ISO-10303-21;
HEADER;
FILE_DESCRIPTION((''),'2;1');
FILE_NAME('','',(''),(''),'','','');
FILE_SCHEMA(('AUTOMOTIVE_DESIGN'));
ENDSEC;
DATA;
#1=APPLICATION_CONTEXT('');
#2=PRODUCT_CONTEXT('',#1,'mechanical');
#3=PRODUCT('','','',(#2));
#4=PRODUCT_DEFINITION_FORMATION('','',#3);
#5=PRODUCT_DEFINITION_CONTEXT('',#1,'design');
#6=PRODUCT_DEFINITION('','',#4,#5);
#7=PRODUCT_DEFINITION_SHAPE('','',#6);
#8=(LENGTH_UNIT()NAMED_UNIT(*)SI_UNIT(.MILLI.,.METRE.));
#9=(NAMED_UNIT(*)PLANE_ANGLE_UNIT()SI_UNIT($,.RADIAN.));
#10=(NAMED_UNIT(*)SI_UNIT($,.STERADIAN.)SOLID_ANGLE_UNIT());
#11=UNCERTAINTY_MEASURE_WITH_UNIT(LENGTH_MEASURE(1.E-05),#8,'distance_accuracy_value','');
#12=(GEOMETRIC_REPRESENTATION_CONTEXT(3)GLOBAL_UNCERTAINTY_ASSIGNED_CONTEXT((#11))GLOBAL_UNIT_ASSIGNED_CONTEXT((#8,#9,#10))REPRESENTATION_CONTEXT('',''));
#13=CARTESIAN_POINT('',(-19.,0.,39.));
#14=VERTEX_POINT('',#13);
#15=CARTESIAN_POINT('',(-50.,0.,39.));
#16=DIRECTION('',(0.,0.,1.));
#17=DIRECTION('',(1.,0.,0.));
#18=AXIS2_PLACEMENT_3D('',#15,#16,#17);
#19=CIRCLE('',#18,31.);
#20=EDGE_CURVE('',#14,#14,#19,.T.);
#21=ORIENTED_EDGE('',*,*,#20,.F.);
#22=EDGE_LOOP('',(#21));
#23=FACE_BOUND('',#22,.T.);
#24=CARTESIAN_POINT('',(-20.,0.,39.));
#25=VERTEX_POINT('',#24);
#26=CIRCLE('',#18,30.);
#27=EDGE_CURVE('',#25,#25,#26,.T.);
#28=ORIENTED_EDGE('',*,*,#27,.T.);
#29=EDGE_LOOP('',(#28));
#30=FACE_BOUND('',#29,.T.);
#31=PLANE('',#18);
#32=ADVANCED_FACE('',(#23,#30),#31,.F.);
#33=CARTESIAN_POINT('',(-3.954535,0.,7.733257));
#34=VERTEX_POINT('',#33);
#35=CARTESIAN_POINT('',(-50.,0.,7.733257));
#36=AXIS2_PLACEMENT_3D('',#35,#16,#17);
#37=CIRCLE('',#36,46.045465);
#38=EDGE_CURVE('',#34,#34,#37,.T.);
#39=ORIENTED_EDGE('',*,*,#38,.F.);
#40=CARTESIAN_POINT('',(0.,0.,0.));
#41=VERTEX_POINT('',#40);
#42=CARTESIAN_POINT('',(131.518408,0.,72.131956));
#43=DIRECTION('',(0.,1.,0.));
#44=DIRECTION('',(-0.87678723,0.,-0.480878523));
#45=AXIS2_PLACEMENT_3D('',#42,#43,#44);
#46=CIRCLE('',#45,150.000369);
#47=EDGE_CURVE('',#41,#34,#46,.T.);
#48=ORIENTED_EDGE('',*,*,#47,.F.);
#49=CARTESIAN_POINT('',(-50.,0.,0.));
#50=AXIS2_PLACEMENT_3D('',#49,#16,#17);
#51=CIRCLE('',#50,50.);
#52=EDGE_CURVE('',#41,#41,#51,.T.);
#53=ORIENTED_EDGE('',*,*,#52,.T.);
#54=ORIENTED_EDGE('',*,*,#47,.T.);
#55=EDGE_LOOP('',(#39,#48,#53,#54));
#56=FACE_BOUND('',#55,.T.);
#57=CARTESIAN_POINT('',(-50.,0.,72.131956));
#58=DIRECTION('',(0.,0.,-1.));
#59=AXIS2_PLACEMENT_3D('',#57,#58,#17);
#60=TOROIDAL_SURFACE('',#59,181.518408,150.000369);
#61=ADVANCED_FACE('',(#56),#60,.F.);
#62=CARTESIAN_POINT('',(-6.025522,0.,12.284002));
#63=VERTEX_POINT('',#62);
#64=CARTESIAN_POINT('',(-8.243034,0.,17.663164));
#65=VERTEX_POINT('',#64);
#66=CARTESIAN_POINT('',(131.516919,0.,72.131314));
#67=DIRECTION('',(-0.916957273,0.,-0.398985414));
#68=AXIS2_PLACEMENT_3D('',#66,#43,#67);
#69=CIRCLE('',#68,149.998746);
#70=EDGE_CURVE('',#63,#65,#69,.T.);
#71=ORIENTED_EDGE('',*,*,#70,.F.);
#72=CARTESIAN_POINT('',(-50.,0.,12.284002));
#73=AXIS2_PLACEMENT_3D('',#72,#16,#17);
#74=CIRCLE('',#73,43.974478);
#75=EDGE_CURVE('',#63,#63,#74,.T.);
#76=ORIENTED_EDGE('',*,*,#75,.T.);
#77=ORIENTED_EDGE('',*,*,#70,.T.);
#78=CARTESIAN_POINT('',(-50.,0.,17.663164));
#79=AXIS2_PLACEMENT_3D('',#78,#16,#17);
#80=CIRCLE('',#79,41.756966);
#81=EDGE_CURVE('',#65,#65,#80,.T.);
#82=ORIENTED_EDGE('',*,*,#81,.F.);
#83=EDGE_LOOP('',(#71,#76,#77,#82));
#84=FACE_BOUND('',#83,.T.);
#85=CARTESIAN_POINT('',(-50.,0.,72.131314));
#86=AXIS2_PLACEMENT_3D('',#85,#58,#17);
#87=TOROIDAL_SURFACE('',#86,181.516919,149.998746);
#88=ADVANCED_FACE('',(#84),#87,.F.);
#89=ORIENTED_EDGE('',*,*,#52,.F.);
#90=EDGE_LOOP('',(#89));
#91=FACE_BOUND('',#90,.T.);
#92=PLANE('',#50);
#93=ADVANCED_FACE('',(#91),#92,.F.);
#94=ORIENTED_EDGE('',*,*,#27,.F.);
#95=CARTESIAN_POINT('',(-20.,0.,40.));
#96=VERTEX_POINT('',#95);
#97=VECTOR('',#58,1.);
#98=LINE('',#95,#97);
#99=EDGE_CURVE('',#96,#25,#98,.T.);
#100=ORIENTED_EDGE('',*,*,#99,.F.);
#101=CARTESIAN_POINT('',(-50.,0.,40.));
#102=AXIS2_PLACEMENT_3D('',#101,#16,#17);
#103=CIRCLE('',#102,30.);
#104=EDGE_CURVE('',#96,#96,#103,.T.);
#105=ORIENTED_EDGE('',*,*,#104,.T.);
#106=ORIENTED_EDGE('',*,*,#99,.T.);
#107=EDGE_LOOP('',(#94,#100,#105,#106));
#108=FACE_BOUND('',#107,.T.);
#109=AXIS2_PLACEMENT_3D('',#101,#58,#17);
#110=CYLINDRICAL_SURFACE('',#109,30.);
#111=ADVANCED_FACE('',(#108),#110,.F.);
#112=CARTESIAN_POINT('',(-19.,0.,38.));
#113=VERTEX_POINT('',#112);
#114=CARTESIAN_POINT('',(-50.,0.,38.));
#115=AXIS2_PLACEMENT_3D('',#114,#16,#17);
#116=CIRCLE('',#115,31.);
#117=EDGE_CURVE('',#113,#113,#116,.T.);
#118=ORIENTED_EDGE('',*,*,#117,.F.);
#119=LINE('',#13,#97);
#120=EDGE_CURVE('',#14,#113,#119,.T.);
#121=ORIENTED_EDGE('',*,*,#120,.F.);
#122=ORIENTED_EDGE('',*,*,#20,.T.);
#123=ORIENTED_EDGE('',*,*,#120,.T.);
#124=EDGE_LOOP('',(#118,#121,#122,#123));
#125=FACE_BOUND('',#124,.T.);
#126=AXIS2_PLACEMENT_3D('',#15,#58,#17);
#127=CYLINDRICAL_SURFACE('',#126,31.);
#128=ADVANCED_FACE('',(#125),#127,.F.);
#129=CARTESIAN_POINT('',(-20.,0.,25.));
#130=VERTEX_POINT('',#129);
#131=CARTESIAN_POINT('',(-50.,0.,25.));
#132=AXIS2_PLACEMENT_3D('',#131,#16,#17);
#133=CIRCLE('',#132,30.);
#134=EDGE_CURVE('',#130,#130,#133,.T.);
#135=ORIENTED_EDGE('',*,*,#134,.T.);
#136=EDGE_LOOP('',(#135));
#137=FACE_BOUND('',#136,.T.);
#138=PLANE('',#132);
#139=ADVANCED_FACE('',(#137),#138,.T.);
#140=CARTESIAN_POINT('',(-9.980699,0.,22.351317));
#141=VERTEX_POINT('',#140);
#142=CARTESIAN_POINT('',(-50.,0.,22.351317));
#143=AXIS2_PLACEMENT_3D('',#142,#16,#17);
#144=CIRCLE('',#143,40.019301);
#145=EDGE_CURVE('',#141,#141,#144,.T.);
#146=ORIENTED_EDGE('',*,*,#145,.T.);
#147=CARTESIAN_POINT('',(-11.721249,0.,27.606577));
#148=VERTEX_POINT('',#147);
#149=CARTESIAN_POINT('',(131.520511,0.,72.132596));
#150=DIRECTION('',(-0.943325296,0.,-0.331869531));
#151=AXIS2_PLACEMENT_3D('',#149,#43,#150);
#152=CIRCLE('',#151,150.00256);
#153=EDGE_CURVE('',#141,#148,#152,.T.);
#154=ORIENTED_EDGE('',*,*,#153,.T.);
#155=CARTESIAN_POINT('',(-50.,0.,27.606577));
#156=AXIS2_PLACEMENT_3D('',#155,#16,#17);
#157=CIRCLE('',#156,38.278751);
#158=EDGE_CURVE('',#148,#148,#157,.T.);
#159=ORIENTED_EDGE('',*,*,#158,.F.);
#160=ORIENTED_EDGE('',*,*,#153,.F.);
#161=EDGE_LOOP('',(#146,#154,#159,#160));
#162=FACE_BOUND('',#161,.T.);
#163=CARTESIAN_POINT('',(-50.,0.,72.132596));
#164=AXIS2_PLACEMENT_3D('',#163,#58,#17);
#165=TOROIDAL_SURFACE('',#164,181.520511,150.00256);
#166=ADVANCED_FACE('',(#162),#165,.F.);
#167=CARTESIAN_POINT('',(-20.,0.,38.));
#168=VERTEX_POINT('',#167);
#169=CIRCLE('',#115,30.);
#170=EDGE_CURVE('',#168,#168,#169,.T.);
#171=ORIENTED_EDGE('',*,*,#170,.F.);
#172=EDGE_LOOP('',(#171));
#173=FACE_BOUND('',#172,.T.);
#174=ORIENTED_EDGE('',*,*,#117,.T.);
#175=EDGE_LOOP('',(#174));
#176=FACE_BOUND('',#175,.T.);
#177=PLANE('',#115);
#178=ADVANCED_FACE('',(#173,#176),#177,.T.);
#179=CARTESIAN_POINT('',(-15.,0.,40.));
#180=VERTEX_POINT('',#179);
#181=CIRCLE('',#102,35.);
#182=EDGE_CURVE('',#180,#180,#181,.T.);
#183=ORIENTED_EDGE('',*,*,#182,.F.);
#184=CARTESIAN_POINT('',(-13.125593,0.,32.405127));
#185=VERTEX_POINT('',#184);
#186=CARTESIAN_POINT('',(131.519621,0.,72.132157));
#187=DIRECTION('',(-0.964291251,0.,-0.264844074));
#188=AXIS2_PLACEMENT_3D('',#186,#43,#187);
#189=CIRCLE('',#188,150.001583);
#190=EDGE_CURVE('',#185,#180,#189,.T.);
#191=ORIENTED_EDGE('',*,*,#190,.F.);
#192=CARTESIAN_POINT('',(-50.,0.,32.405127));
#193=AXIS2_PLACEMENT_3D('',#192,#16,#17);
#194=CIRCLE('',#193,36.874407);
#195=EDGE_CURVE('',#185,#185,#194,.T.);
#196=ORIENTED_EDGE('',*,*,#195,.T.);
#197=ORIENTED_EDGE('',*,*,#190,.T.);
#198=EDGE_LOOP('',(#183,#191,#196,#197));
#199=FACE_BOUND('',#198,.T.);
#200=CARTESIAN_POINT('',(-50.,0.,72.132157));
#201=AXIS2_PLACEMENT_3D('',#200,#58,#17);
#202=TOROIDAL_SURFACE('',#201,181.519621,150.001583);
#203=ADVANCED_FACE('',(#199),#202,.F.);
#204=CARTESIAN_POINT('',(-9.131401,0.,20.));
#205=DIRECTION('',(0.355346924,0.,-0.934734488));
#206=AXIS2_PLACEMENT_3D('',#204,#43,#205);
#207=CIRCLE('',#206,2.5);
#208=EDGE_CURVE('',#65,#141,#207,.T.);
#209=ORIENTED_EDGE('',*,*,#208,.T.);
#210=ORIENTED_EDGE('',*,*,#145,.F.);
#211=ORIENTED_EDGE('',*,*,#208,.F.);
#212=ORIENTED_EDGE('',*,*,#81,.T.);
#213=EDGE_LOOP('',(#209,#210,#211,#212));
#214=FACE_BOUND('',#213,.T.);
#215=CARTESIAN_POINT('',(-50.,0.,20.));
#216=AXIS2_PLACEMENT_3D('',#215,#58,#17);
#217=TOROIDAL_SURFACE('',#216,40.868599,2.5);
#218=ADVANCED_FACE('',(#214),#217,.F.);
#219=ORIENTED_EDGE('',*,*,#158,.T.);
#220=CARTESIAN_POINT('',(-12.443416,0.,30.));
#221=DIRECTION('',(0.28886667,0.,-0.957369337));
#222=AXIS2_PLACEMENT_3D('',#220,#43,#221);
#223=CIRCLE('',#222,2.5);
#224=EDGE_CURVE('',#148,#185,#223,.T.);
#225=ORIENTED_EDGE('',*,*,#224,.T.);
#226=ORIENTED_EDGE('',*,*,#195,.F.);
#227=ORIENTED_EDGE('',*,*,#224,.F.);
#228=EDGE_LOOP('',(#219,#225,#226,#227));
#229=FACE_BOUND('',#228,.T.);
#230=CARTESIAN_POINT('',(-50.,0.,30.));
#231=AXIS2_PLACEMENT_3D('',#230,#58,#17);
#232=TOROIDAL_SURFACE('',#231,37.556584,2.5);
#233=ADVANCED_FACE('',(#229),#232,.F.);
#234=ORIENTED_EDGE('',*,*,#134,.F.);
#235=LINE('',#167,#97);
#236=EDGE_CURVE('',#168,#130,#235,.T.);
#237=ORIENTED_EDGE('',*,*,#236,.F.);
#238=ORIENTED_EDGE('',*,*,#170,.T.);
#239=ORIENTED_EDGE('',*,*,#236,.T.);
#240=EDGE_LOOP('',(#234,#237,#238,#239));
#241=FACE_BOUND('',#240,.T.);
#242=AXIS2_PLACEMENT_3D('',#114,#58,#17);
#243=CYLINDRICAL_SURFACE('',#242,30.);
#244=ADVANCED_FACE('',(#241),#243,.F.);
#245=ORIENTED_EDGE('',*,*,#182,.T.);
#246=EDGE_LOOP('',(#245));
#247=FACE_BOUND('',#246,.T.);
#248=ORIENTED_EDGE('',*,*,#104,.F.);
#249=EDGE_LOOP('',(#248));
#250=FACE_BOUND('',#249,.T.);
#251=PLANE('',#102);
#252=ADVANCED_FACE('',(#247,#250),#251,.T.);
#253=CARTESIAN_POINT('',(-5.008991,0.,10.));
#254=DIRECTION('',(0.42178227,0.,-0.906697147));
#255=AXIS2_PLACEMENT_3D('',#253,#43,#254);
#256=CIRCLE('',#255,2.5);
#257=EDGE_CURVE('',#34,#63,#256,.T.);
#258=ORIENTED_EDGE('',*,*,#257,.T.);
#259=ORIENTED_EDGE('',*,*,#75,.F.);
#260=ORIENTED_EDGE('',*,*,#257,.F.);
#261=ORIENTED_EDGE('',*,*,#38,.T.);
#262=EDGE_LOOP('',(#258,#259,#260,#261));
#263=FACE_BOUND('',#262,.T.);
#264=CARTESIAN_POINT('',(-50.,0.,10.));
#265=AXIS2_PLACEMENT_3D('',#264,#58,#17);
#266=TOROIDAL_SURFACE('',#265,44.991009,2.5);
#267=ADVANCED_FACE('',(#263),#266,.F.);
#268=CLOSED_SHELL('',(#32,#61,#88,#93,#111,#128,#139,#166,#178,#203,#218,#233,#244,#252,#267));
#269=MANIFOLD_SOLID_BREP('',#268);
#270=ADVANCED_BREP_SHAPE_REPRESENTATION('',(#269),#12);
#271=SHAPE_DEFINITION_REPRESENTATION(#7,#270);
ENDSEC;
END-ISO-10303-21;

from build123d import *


with BuildPart() as f1:
    # F0 (on Front) → F1 (revolve)
    with BuildSketch(Plane.XZ):
        with BuildLine():
            Line((-50, 0), (0, 0))
            ThreePointArc((0, 0), (-2.033253, 3.837999), (-3.954535, 7.733257))
            ThreePointArc((-3.954535, 7.733257), (-7.284442, 8.96447), (-6.025522, 12.284002))
            ThreePointArc((-6.025522, 12.284002), (-7.160362, 14.96283), (-8.243034, 17.663164))
            ThreePointArc((-8.243034, 17.663164), (-11.475559, 19.131137), (-9.980699, 22.351317))
            ThreePointArc((-9.980699, 22.351317), (-10.87522, 24.970917), (-11.721249, 27.606577))
            ThreePointArc((-11.721249, 27.606577), (-14.842774, 29.297804), (-13.125593, 32.405127))
            ThreePointArc((-13.125593, 32.405127), (-14.112315, 36.190342), (-15, 40))
            Line((-15, 40), (-20, 40))
            Line((-20, 40), (-20, 39))
            Line((-20, 39), (-19, 39))
            Line((-19, 39), (-19, 38))
            Line((-19, 38), (-20, 38))
            Line((-20, 38), (-20, 25))
            Line((-20, 25), (-50, 25))
            Line((-50, 25), (-50, 0))
        make_face()
    revolve(axis=Axis((-50, 0, 12.5), (0, 0, 1)))


solid = f1.part
